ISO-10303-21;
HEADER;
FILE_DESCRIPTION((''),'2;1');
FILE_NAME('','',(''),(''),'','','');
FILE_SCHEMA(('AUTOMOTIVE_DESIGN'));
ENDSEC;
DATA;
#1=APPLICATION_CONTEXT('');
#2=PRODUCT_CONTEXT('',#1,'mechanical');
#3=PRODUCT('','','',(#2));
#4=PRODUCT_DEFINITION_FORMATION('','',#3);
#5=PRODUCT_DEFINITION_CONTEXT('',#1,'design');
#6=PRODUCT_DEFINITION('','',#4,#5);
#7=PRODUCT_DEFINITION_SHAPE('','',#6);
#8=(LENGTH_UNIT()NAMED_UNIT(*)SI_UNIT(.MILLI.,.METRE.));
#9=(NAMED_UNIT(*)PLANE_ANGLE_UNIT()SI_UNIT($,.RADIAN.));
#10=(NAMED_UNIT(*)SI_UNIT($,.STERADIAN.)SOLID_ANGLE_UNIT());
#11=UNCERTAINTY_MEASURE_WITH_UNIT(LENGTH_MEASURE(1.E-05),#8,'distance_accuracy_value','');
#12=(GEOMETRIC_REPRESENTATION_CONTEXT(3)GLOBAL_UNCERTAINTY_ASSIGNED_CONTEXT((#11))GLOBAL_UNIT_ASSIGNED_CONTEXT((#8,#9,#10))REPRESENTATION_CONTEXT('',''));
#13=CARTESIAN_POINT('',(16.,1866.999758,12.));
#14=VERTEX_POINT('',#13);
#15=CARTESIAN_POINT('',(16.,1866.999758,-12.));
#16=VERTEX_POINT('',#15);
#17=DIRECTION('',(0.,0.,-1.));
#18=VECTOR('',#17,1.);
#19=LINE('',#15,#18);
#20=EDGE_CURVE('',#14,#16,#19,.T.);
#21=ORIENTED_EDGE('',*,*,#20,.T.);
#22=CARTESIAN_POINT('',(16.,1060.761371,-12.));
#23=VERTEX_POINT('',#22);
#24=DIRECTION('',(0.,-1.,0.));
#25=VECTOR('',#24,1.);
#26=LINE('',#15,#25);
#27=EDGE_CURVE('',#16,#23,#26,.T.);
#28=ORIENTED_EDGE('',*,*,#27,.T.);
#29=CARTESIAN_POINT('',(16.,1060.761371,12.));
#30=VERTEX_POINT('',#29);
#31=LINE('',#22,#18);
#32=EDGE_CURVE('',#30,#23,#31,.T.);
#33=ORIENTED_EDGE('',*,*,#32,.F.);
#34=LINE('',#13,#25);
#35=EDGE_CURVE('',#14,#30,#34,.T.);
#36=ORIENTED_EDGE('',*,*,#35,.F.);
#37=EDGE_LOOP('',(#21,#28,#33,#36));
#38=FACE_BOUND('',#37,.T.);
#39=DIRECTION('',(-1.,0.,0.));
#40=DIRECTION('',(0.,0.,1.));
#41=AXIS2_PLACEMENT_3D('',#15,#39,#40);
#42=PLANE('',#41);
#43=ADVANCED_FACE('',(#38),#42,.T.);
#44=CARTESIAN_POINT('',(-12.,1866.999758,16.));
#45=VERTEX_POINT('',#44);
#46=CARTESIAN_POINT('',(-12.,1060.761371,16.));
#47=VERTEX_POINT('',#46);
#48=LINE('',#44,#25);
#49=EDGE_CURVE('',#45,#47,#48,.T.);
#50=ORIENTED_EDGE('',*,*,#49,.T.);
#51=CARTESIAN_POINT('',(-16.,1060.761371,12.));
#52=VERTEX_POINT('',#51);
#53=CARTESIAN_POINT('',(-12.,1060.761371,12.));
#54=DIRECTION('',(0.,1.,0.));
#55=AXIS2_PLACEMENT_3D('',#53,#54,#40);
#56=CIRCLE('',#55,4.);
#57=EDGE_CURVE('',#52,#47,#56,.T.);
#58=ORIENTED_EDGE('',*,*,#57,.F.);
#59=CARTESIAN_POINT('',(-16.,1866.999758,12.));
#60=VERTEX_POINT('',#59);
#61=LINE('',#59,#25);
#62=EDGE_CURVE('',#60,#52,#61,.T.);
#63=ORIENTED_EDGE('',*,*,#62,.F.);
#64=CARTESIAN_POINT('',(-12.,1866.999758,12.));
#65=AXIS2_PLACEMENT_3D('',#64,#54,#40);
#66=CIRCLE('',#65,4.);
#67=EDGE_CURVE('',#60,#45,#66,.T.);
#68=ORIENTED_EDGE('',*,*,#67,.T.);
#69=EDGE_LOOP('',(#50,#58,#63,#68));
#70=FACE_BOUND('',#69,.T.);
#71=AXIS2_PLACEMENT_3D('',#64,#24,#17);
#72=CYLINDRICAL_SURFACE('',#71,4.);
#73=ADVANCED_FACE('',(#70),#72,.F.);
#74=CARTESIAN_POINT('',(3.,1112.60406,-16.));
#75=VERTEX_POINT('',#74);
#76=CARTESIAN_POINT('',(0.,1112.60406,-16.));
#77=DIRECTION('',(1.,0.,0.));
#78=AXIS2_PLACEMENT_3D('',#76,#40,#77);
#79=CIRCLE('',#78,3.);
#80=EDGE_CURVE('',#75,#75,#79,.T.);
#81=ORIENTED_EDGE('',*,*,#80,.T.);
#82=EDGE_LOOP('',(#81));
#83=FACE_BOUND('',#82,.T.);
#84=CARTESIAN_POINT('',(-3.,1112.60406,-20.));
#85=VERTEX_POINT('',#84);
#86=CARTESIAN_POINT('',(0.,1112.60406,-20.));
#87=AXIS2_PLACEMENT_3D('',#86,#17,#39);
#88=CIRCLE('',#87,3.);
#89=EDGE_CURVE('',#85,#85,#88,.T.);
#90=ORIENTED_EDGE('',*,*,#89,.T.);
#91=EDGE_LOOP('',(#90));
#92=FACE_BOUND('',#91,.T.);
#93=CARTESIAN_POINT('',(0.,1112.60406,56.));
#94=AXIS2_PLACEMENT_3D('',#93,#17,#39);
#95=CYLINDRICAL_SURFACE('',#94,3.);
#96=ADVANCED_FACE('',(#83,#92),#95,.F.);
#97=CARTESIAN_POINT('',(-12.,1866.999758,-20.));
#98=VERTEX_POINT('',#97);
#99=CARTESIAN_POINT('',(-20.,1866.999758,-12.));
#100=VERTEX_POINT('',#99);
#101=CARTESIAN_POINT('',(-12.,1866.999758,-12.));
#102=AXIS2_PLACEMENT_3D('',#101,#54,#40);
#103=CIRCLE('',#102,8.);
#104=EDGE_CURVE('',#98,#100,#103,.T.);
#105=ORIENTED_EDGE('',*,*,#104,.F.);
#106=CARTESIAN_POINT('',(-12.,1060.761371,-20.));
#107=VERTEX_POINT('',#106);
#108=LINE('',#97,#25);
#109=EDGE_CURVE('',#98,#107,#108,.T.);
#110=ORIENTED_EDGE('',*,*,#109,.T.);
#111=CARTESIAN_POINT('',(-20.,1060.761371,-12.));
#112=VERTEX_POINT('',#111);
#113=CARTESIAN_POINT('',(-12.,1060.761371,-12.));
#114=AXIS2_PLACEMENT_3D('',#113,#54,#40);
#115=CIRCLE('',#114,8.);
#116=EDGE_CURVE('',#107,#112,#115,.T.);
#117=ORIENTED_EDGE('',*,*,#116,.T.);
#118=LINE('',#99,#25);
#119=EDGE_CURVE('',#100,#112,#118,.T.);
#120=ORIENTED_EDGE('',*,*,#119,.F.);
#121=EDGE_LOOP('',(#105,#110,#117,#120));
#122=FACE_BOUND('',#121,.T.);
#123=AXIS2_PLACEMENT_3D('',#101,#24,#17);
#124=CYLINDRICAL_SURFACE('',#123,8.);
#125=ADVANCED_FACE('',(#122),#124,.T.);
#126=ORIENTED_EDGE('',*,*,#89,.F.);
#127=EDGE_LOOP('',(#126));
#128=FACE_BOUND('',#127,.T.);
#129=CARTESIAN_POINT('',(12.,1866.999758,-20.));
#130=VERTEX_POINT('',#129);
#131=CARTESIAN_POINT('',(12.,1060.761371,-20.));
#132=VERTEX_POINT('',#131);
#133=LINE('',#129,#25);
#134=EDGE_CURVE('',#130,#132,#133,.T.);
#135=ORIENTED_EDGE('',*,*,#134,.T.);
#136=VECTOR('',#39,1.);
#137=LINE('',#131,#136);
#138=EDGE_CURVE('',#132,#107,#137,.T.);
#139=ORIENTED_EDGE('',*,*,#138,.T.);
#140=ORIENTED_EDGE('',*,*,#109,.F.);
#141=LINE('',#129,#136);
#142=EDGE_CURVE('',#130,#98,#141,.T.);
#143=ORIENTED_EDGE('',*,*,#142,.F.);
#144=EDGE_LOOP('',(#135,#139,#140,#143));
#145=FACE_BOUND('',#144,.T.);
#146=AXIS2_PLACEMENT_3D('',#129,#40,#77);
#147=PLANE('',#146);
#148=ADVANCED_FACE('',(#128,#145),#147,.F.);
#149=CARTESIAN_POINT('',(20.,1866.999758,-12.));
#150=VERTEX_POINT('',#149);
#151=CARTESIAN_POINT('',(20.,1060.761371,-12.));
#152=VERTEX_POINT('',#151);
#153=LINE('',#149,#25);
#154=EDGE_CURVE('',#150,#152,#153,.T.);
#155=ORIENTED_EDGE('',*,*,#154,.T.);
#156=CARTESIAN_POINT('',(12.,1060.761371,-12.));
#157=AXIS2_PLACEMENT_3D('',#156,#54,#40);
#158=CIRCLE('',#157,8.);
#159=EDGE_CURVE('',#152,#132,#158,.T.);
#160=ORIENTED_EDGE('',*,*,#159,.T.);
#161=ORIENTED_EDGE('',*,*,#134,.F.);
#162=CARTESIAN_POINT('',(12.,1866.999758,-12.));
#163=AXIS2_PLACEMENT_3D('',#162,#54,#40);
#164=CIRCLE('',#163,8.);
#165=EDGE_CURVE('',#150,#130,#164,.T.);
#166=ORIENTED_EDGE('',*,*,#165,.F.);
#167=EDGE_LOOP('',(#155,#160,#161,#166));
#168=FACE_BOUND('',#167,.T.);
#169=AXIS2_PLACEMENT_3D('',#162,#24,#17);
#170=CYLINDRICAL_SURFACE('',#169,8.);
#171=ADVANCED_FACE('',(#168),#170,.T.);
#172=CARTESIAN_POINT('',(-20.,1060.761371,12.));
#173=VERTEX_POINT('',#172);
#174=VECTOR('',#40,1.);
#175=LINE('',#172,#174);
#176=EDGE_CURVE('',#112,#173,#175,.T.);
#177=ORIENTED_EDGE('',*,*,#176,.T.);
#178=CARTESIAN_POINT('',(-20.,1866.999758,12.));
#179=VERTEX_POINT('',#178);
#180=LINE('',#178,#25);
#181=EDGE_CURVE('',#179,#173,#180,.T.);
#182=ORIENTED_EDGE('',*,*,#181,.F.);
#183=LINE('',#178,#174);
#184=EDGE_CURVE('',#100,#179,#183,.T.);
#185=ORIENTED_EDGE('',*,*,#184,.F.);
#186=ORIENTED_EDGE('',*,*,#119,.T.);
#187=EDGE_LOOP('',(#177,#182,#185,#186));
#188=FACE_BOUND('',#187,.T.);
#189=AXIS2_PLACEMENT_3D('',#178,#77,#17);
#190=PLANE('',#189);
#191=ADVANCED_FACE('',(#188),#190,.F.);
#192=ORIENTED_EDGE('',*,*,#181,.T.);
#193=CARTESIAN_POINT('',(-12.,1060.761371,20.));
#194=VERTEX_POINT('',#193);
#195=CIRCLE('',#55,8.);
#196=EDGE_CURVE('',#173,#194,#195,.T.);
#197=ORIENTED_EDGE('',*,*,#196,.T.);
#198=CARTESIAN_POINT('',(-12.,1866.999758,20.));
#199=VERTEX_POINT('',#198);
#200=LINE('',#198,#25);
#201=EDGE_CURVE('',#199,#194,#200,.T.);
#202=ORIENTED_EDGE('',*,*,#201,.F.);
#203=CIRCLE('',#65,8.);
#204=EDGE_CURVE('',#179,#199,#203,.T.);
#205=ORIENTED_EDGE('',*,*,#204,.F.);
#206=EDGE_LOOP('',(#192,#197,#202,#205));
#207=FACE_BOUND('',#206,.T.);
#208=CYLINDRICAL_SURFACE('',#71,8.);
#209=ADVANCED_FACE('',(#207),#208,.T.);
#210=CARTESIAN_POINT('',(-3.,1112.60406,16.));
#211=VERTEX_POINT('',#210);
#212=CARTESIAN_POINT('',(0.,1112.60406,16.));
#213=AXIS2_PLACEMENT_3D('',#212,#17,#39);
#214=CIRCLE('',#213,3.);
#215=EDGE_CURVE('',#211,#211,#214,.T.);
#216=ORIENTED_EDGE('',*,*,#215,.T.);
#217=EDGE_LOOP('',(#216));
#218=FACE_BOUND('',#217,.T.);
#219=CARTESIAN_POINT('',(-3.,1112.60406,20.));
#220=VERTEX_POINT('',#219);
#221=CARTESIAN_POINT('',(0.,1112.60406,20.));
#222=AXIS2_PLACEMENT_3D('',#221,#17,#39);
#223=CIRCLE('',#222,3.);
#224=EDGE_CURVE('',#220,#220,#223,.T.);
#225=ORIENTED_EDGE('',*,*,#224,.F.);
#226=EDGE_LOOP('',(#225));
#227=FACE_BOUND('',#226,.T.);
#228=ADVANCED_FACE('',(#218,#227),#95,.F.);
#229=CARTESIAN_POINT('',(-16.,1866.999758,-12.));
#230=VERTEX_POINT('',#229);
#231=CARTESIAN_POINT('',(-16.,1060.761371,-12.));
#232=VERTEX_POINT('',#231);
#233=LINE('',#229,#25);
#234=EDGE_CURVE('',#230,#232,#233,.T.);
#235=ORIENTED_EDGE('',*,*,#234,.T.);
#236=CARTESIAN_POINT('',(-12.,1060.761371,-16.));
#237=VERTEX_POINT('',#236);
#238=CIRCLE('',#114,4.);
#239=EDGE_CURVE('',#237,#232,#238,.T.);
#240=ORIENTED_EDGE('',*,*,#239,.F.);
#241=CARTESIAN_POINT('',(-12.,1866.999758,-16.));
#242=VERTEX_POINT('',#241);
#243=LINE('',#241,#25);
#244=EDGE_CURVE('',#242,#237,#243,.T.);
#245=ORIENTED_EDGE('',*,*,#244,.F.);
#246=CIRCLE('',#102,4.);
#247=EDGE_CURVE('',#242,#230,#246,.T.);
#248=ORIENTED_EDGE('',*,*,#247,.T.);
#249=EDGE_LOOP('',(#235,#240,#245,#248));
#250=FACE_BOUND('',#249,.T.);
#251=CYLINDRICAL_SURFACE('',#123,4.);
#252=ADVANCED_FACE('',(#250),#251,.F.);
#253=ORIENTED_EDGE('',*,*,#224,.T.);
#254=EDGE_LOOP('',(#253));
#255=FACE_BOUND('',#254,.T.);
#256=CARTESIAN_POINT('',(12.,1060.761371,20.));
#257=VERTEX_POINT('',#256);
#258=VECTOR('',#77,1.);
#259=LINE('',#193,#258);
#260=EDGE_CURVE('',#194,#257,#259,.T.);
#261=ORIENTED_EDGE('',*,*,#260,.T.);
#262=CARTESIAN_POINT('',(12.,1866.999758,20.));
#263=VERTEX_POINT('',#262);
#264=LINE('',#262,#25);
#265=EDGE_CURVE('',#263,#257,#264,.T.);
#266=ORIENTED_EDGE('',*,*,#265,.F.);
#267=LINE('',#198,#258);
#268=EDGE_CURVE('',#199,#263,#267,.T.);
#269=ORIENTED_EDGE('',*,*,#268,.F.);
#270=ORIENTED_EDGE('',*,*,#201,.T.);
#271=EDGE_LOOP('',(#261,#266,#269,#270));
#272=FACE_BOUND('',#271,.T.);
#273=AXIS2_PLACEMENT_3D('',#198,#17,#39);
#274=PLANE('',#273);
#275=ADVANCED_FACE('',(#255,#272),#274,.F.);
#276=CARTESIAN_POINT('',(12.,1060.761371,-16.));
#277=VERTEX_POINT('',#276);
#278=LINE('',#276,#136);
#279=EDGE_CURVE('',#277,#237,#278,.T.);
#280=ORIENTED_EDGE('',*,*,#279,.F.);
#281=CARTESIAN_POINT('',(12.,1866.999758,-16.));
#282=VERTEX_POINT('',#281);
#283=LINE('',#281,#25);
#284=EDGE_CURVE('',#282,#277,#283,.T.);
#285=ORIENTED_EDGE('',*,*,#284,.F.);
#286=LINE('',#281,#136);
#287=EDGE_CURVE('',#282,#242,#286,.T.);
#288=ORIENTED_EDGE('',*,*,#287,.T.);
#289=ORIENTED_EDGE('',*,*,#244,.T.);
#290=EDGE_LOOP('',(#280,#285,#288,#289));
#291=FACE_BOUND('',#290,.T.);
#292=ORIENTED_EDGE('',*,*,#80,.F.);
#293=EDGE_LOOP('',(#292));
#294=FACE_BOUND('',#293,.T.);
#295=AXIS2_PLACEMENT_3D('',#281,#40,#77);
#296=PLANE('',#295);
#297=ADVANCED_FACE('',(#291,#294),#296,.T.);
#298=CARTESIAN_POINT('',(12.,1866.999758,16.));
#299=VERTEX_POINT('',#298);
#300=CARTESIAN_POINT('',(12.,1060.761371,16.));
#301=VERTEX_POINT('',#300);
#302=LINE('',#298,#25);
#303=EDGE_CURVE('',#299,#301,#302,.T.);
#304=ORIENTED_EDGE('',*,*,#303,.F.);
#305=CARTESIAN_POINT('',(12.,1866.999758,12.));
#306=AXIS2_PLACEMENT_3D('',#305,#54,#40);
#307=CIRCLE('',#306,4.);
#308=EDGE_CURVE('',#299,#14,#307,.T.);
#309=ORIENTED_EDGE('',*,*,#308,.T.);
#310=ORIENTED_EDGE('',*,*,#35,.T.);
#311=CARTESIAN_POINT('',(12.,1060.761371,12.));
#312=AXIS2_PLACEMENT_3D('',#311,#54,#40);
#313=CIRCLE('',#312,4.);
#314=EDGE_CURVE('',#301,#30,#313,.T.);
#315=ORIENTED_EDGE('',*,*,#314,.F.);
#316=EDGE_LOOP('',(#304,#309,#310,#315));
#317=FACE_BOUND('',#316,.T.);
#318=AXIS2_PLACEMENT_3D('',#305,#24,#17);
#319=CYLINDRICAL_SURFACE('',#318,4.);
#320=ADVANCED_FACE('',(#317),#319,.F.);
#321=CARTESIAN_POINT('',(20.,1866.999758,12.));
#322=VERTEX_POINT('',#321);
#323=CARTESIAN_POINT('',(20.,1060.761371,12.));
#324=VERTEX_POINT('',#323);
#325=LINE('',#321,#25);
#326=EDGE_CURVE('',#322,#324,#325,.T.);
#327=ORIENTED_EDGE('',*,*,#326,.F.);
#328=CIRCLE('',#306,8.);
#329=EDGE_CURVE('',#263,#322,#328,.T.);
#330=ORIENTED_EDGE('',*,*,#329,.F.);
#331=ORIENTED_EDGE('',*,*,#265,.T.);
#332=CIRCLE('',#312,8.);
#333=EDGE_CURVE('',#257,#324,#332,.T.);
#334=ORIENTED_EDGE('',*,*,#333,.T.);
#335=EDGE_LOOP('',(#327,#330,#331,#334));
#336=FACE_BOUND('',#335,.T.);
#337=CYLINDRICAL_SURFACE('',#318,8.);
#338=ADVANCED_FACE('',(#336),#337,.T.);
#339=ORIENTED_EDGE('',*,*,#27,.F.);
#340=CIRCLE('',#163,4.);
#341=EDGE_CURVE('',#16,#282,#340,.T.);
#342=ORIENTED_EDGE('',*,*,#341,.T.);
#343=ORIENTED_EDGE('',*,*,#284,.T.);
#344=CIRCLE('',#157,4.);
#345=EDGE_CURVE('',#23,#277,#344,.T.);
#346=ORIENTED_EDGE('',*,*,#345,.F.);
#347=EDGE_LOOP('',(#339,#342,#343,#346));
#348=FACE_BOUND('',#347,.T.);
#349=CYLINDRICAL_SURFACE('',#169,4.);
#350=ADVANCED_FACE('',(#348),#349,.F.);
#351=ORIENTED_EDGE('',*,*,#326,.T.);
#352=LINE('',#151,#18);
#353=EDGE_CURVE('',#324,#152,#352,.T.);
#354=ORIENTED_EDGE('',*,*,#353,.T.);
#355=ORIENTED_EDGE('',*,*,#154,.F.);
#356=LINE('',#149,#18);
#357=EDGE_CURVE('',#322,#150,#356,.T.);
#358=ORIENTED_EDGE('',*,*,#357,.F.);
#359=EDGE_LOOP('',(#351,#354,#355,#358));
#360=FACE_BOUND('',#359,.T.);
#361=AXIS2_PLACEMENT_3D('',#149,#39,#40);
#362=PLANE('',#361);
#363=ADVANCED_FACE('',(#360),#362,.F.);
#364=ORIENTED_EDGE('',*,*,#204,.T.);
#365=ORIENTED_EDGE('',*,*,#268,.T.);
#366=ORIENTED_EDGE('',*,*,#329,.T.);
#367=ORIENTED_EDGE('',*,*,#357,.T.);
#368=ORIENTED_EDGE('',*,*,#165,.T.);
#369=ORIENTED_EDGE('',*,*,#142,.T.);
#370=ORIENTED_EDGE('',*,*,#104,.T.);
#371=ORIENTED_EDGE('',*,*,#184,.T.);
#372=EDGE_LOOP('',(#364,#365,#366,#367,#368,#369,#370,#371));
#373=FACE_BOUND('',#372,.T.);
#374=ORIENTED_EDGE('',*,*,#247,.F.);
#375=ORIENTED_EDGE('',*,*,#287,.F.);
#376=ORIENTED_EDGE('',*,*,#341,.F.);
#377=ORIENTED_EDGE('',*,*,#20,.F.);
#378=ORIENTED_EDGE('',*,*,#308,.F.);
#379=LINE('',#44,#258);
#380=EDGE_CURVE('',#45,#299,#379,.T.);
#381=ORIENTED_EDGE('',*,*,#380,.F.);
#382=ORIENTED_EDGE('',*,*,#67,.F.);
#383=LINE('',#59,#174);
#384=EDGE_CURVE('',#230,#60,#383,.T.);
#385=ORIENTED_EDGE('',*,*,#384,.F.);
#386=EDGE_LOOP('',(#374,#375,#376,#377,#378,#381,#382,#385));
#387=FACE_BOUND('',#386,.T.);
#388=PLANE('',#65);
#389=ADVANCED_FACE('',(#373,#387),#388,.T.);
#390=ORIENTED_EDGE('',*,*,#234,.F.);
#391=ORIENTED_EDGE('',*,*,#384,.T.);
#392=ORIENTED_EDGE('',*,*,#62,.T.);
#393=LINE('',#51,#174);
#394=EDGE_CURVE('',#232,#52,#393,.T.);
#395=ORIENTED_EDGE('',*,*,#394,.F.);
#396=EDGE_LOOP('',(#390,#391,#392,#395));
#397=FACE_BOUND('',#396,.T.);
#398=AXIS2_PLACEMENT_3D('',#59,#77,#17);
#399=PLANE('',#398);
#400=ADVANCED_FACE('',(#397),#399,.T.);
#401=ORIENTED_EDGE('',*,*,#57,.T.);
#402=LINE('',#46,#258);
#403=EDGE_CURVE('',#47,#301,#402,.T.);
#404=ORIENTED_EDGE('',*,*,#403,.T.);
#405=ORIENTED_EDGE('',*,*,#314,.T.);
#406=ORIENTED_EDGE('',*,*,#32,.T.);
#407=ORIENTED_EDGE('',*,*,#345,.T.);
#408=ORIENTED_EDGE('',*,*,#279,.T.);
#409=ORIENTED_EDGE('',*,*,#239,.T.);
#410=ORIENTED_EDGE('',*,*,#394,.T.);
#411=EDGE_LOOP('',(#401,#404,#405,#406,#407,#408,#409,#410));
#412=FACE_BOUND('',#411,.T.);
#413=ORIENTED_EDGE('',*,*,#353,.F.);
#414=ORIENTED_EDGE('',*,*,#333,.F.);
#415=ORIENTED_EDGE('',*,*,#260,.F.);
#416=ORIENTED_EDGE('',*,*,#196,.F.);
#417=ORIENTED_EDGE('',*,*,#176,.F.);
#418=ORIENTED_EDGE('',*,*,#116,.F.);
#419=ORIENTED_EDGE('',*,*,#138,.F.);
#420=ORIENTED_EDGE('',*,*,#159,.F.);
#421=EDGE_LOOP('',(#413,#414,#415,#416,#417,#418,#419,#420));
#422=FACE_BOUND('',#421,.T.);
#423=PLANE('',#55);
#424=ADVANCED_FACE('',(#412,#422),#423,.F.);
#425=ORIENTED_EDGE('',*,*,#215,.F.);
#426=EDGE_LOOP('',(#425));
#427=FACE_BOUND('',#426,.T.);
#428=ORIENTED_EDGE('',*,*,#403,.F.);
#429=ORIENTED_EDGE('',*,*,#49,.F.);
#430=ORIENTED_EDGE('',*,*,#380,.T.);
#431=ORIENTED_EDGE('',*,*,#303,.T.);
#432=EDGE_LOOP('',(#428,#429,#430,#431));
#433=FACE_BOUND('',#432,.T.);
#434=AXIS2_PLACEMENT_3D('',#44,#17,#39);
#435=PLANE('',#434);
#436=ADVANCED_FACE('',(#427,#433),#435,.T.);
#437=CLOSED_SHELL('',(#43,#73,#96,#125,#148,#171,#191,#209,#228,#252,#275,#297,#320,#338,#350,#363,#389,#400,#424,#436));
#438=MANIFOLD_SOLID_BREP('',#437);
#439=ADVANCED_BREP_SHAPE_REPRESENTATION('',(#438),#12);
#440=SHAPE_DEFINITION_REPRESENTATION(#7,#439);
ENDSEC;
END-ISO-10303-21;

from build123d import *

# Parameters (mm, degrees)
COMPONENTE_ESTRUTURAL1_DEPTH = 806.238387173
ESBO_O3_R                    = 3
CORTE_EXTRUS_O1_DEPTH        = 76


with BuildPart() as part:
    # Sketch1 → Componente estrutural1 (new body)
    with BuildSketch(Plane(origin=(0, 1060.761370688, 0), x_dir=(-1, 0, 0), z_dir=(0, 1, 0))):
        with BuildLine():
            Line((-12, -20), (12, -20))
            ThreePointArc((12, -20), (17.656854249, -17.656854249), (20, -12))
            Line((20, -12), (20, 12))
            ThreePointArc((20, 12), (17.656854249, 17.656854249), (12, 20))
            Line((12, 20), (-12, 20))
            ThreePointArc((-12, 20), (-17.656854249, 17.656854249), (-20, 12))
            Line((-20, 12), (-20, -12))
            ThreePointArc((-20, -12), (-17.656854249, -17.656854249), (-12, -20))
        make_face()
        with BuildLine():
            Line((-12, -16), (12, -16))
            ThreePointArc((12, -16), (14.828427125, -14.828427125), (16, -12))
            Line((16, -12), (16, 12))
            ThreePointArc((16, 12), (14.828427125, 14.828427125), (12, 16))
            Line((12, 16), (-12, 16))
            ThreePointArc((-12, 16), (-14.828427125, 14.828427125), (-16, 12))
            Line((-16, 12), (-16, -12))
            ThreePointArc((-16, -12), (-14.828427125, -14.828427125), (-12, -16))
        make_face(mode=Mode.SUBTRACT)
    extrude(amount=COMPONENTE_ESTRUTURAL1_DEPTH)

    # Esboço3 → Corte-extrusão1 (cut)
    with BuildSketch(Plane(origin=(0, 0, -20), x_dir=(-1, 0, 0), z_dir=(0, 0, -1))):
        with Locations((0, 1112.604059558)):
            Circle(ESBO_O3_R)
    extrude(amount=-CORTE_EXTRUS_O1_DEPTH, mode=Mode.SUBTRACT)


solid = part.part
